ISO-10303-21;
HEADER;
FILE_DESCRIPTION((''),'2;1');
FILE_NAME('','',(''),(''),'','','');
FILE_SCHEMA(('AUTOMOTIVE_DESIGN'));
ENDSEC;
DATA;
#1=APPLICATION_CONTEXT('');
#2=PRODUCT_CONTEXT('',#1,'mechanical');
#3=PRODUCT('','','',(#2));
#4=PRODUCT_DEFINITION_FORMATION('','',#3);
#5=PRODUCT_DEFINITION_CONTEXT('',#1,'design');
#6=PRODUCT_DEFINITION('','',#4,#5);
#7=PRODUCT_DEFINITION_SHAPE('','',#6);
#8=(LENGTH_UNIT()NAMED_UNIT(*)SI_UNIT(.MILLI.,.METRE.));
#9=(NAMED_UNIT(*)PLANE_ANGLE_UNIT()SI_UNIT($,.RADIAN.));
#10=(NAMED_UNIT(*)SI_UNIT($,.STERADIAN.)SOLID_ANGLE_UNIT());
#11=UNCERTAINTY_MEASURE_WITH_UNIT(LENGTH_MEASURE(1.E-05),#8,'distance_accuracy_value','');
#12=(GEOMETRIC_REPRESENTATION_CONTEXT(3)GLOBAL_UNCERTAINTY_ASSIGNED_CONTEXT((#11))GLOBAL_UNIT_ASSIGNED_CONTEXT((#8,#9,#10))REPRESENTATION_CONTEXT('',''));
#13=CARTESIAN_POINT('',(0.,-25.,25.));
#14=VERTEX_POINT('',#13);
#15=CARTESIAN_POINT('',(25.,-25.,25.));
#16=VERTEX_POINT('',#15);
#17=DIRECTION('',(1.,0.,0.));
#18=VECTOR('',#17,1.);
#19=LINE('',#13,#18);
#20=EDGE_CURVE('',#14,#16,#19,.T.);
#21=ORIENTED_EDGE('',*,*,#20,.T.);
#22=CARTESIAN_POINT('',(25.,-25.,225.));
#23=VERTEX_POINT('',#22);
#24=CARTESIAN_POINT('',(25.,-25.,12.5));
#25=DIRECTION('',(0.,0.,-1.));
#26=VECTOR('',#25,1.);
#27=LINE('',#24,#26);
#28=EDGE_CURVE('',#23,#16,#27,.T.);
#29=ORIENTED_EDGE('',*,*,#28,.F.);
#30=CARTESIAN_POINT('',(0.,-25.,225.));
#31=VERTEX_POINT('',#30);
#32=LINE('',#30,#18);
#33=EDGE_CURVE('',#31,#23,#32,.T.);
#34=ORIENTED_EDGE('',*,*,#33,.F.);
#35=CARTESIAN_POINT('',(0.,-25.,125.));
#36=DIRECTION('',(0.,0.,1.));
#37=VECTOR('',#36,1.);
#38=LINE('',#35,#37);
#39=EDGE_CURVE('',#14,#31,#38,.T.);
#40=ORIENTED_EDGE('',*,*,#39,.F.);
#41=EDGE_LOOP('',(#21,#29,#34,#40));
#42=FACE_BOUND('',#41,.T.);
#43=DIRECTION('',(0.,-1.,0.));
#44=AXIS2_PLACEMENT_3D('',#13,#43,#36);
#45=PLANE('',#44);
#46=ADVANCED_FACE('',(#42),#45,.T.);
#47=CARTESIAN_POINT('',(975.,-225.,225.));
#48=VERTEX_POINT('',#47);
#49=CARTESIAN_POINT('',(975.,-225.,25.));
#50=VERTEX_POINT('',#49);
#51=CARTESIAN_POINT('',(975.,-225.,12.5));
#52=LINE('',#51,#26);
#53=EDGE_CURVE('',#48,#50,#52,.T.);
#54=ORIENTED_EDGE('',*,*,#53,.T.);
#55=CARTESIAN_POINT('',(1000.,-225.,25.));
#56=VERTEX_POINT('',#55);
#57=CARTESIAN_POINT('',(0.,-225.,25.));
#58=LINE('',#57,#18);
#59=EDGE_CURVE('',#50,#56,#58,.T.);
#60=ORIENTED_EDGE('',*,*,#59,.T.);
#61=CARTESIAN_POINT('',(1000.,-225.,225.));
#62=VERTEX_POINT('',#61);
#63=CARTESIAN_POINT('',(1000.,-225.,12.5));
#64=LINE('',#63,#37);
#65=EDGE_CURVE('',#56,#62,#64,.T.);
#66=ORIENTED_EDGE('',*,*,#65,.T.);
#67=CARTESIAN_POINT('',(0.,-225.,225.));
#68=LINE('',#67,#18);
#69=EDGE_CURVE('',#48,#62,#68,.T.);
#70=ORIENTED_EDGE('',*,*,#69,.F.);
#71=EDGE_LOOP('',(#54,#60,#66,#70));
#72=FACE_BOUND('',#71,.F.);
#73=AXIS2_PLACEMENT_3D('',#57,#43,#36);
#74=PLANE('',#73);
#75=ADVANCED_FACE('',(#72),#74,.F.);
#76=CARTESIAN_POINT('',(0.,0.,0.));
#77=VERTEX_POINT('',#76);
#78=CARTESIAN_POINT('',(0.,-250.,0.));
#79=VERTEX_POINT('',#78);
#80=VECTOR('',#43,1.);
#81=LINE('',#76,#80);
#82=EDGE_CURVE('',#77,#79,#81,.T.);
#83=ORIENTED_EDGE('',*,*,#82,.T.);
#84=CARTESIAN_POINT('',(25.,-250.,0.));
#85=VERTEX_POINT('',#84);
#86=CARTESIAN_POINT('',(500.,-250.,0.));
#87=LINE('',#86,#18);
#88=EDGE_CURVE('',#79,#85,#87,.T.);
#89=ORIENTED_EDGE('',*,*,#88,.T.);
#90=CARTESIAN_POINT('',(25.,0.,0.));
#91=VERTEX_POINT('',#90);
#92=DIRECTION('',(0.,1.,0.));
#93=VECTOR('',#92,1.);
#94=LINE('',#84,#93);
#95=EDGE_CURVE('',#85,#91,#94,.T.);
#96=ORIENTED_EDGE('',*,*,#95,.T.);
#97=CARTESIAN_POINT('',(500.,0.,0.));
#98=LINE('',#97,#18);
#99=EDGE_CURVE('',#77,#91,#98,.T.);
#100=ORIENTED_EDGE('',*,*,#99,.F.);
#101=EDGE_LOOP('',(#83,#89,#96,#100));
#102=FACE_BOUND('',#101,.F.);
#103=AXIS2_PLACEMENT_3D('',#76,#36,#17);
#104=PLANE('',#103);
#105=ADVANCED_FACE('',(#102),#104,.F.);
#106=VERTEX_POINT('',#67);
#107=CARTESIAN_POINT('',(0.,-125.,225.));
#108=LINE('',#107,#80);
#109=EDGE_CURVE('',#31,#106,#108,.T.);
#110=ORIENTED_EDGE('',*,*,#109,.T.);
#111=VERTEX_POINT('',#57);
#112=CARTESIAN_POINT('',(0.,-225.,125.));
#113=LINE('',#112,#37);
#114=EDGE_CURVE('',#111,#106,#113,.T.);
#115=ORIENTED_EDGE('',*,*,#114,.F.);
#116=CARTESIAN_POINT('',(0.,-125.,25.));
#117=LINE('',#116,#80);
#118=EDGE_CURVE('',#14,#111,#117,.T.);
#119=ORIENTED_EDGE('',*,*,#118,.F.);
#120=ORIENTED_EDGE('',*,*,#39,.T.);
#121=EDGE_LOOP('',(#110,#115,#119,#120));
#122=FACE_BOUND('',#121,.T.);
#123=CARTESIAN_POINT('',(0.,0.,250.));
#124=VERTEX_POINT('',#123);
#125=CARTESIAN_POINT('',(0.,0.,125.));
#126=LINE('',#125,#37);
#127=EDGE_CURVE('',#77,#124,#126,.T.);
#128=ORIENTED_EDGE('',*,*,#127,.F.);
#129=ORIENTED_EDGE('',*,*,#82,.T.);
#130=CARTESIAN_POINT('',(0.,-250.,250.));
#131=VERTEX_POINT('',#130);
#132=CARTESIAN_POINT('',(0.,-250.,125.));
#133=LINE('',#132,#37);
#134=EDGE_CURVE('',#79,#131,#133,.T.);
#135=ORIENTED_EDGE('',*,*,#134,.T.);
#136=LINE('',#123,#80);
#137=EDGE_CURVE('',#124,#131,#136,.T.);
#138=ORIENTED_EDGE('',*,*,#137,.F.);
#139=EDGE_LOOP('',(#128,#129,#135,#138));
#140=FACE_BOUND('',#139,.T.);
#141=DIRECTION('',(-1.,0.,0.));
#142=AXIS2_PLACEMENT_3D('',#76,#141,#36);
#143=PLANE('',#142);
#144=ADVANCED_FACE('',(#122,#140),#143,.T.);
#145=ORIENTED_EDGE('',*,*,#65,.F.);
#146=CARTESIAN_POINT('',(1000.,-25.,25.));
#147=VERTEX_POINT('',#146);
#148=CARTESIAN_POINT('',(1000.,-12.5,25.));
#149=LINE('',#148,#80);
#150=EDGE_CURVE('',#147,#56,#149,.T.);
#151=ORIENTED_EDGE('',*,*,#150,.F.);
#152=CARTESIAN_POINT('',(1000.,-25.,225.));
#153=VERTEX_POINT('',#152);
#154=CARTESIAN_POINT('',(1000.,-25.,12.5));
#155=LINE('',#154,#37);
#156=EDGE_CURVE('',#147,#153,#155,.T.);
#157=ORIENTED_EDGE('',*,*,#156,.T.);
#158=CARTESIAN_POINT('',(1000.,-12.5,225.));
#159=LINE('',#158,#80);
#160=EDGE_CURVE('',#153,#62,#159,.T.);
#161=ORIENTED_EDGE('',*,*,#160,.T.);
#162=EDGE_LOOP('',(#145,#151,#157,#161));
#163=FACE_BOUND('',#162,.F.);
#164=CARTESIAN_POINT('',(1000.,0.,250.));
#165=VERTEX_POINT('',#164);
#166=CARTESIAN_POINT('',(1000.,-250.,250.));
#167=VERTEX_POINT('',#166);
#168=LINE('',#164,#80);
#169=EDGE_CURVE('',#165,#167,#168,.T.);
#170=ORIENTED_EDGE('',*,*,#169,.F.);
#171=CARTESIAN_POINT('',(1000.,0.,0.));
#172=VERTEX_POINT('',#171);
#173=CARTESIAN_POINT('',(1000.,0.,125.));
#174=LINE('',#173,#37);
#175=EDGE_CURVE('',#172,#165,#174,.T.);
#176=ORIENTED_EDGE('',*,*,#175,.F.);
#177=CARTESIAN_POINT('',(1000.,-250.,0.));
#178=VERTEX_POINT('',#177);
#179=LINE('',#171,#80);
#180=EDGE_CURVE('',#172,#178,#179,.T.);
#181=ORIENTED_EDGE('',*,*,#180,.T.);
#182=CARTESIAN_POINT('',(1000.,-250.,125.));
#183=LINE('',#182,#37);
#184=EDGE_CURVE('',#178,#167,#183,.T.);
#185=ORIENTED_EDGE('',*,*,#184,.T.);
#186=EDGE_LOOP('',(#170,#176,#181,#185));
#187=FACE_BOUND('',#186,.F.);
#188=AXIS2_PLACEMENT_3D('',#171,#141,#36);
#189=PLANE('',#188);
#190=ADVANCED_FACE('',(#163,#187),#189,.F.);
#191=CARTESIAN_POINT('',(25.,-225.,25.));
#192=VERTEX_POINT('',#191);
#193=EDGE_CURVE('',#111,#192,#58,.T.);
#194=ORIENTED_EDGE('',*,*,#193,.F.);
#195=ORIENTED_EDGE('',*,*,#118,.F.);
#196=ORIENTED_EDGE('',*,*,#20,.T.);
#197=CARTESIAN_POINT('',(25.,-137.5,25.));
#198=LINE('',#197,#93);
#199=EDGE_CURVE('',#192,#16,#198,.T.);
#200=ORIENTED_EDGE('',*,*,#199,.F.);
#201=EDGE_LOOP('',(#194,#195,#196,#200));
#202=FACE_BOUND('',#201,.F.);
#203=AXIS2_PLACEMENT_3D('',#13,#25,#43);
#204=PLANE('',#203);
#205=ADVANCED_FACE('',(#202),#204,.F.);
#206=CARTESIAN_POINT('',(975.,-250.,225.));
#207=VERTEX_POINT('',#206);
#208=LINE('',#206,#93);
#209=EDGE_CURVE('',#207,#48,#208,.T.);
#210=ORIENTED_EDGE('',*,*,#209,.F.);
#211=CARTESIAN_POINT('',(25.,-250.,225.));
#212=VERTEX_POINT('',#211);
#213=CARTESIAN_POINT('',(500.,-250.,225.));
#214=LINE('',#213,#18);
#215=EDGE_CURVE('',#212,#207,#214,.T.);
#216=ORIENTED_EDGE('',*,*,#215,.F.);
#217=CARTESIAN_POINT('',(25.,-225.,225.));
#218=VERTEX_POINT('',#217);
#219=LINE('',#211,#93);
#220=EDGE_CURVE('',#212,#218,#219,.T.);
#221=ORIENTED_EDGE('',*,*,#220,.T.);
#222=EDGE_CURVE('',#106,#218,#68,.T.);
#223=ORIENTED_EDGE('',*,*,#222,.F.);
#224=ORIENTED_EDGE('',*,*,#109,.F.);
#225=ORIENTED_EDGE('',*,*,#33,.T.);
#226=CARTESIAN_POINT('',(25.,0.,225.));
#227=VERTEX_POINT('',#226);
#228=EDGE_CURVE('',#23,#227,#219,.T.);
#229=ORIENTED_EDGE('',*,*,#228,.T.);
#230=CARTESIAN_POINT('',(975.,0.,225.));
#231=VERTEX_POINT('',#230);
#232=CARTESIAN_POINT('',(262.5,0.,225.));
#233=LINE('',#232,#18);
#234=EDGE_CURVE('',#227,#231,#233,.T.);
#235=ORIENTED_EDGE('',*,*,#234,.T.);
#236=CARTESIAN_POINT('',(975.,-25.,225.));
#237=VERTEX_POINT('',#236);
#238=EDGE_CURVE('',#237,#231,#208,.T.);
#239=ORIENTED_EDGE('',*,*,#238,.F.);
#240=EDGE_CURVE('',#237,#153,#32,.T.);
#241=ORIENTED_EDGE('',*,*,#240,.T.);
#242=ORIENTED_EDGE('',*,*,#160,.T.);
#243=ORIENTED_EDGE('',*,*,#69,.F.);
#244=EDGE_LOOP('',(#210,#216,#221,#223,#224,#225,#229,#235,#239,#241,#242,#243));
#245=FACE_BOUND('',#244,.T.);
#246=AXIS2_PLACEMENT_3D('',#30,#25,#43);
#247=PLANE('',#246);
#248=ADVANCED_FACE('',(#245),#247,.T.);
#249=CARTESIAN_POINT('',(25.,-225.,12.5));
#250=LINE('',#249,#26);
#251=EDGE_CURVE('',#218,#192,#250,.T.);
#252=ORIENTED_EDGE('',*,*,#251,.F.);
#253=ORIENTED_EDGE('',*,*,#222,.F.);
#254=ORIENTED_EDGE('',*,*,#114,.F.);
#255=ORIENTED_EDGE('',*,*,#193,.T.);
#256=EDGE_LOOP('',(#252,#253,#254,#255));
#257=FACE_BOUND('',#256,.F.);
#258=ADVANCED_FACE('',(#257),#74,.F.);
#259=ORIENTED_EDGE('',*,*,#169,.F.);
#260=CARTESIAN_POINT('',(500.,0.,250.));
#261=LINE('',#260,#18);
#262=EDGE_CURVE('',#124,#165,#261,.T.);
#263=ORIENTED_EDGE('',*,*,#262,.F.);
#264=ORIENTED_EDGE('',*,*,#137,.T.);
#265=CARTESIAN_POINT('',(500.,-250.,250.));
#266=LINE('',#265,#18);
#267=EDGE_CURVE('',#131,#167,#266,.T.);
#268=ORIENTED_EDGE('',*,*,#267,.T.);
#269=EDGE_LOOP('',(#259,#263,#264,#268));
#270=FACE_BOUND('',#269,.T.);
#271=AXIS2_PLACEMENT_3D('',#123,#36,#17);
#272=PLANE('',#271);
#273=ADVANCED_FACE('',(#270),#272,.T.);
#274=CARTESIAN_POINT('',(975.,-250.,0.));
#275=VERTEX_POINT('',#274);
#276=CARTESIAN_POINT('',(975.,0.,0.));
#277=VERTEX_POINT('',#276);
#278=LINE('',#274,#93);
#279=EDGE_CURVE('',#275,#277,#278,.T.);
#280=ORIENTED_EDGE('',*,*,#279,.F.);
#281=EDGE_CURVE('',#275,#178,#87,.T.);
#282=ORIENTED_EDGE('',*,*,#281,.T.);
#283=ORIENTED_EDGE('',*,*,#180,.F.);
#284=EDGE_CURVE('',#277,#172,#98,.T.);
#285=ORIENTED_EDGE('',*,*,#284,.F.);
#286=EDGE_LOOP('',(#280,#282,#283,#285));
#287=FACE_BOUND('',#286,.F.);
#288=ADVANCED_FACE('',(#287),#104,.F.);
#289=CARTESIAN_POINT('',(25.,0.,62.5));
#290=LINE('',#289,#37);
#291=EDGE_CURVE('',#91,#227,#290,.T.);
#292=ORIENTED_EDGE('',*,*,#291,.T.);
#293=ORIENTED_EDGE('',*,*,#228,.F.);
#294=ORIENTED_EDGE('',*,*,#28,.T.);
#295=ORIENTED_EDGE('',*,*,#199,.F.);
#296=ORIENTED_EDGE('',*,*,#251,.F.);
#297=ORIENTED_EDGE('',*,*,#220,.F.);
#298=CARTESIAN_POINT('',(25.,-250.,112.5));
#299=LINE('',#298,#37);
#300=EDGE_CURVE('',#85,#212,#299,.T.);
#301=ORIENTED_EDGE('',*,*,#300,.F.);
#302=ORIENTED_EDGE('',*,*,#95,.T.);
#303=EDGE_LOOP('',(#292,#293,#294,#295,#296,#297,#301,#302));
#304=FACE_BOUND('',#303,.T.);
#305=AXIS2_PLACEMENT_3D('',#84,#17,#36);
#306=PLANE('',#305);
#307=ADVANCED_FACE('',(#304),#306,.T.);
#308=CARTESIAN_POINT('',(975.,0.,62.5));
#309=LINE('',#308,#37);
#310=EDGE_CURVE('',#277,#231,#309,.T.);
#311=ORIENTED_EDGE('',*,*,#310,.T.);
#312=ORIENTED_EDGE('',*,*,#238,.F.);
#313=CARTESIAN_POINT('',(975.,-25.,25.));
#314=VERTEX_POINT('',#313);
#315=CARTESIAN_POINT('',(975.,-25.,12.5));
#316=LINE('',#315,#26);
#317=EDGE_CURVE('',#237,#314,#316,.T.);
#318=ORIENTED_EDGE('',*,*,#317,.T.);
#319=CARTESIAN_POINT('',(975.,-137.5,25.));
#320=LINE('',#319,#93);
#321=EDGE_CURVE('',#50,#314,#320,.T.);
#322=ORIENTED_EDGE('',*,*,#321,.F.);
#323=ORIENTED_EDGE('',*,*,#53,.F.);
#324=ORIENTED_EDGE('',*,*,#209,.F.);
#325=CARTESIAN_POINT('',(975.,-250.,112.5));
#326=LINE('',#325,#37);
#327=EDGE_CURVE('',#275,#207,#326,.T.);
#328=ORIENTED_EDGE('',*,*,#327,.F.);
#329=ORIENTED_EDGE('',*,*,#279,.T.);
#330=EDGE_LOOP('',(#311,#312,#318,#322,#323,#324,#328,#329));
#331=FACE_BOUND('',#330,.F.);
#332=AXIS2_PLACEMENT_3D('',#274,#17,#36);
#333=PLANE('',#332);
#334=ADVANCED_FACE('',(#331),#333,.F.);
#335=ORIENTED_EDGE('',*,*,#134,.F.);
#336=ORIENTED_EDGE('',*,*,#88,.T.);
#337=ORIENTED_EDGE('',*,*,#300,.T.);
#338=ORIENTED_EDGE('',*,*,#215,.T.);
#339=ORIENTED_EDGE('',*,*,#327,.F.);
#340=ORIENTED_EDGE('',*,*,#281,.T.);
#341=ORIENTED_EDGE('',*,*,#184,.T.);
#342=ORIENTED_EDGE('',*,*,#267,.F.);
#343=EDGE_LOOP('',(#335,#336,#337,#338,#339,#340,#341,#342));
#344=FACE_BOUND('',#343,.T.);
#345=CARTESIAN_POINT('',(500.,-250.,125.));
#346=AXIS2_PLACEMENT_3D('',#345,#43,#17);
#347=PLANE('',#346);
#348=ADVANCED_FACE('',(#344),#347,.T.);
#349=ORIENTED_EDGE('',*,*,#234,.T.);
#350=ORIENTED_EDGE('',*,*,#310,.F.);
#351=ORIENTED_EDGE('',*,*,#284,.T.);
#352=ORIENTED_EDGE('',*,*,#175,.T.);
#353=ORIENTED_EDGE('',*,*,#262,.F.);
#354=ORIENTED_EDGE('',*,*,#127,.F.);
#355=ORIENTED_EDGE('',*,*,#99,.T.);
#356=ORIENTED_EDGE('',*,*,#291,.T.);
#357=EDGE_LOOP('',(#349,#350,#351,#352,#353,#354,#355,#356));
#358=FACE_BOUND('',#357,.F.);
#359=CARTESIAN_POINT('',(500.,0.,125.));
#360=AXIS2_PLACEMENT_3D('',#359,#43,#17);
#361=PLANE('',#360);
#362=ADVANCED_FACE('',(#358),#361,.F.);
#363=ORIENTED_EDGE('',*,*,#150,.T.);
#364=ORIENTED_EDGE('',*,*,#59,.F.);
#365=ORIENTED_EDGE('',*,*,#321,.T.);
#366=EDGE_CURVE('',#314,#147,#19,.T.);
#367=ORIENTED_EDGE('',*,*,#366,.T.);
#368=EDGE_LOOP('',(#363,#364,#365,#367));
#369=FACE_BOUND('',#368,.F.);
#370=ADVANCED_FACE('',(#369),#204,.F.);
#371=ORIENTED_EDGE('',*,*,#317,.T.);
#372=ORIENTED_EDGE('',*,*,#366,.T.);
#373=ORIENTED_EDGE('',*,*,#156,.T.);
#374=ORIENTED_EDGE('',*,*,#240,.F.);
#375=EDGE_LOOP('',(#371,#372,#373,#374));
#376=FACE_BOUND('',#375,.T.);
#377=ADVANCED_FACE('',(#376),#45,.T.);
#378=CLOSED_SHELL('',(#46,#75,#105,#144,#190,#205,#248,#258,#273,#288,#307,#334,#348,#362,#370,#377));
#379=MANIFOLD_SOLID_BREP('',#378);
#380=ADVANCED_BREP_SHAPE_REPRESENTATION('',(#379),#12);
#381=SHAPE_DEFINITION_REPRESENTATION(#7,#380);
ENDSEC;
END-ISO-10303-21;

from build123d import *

# Parameters (mm, degrees)
F0_W     = 2000
F0_H     = 500
F1_DEPTH = 500
F2_W     = 1900
F2_H     = 450
F3_DEPTH = 500.001
F4_W     = 400
F4_H     = 400
F5_DEPTH = 2000.001
F6_SCALE = 0.5


with BuildPart() as f1:
    # F0 (on Front) → F1 (new body)
    with BuildSketch(Plane.XZ):
        with Locations((1000, 250)):
            Rectangle(F0_W, F0_H)
    extrude(amount=F1_DEPTH)

    # F2 (on face) → F3 (cut, through all)
    with BuildSketch(Plane.XZ.offset(500)):
        with Locations((1000, 225)):
            Rectangle(F2_W, F2_H)
    extrude(amount=-F3_DEPTH, mode=Mode.SUBTRACT)

    # F4 (on face) → F5 (cut, through all)
    with BuildSketch(Plane(origin=(0, 0, 0), x_dir=(0, -1, 0), z_dir=(-1, 0, 0))):
        with Locations((250, 250)):
            Rectangle(F4_W, F4_H)
    extrude(amount=-F5_DEPTH, mode=Mode.SUBTRACT)


with BuildPart() as f1_1:
    # F6: moved
    add(f1.part.scale(F6_SCALE))


solid = f1_1.part
